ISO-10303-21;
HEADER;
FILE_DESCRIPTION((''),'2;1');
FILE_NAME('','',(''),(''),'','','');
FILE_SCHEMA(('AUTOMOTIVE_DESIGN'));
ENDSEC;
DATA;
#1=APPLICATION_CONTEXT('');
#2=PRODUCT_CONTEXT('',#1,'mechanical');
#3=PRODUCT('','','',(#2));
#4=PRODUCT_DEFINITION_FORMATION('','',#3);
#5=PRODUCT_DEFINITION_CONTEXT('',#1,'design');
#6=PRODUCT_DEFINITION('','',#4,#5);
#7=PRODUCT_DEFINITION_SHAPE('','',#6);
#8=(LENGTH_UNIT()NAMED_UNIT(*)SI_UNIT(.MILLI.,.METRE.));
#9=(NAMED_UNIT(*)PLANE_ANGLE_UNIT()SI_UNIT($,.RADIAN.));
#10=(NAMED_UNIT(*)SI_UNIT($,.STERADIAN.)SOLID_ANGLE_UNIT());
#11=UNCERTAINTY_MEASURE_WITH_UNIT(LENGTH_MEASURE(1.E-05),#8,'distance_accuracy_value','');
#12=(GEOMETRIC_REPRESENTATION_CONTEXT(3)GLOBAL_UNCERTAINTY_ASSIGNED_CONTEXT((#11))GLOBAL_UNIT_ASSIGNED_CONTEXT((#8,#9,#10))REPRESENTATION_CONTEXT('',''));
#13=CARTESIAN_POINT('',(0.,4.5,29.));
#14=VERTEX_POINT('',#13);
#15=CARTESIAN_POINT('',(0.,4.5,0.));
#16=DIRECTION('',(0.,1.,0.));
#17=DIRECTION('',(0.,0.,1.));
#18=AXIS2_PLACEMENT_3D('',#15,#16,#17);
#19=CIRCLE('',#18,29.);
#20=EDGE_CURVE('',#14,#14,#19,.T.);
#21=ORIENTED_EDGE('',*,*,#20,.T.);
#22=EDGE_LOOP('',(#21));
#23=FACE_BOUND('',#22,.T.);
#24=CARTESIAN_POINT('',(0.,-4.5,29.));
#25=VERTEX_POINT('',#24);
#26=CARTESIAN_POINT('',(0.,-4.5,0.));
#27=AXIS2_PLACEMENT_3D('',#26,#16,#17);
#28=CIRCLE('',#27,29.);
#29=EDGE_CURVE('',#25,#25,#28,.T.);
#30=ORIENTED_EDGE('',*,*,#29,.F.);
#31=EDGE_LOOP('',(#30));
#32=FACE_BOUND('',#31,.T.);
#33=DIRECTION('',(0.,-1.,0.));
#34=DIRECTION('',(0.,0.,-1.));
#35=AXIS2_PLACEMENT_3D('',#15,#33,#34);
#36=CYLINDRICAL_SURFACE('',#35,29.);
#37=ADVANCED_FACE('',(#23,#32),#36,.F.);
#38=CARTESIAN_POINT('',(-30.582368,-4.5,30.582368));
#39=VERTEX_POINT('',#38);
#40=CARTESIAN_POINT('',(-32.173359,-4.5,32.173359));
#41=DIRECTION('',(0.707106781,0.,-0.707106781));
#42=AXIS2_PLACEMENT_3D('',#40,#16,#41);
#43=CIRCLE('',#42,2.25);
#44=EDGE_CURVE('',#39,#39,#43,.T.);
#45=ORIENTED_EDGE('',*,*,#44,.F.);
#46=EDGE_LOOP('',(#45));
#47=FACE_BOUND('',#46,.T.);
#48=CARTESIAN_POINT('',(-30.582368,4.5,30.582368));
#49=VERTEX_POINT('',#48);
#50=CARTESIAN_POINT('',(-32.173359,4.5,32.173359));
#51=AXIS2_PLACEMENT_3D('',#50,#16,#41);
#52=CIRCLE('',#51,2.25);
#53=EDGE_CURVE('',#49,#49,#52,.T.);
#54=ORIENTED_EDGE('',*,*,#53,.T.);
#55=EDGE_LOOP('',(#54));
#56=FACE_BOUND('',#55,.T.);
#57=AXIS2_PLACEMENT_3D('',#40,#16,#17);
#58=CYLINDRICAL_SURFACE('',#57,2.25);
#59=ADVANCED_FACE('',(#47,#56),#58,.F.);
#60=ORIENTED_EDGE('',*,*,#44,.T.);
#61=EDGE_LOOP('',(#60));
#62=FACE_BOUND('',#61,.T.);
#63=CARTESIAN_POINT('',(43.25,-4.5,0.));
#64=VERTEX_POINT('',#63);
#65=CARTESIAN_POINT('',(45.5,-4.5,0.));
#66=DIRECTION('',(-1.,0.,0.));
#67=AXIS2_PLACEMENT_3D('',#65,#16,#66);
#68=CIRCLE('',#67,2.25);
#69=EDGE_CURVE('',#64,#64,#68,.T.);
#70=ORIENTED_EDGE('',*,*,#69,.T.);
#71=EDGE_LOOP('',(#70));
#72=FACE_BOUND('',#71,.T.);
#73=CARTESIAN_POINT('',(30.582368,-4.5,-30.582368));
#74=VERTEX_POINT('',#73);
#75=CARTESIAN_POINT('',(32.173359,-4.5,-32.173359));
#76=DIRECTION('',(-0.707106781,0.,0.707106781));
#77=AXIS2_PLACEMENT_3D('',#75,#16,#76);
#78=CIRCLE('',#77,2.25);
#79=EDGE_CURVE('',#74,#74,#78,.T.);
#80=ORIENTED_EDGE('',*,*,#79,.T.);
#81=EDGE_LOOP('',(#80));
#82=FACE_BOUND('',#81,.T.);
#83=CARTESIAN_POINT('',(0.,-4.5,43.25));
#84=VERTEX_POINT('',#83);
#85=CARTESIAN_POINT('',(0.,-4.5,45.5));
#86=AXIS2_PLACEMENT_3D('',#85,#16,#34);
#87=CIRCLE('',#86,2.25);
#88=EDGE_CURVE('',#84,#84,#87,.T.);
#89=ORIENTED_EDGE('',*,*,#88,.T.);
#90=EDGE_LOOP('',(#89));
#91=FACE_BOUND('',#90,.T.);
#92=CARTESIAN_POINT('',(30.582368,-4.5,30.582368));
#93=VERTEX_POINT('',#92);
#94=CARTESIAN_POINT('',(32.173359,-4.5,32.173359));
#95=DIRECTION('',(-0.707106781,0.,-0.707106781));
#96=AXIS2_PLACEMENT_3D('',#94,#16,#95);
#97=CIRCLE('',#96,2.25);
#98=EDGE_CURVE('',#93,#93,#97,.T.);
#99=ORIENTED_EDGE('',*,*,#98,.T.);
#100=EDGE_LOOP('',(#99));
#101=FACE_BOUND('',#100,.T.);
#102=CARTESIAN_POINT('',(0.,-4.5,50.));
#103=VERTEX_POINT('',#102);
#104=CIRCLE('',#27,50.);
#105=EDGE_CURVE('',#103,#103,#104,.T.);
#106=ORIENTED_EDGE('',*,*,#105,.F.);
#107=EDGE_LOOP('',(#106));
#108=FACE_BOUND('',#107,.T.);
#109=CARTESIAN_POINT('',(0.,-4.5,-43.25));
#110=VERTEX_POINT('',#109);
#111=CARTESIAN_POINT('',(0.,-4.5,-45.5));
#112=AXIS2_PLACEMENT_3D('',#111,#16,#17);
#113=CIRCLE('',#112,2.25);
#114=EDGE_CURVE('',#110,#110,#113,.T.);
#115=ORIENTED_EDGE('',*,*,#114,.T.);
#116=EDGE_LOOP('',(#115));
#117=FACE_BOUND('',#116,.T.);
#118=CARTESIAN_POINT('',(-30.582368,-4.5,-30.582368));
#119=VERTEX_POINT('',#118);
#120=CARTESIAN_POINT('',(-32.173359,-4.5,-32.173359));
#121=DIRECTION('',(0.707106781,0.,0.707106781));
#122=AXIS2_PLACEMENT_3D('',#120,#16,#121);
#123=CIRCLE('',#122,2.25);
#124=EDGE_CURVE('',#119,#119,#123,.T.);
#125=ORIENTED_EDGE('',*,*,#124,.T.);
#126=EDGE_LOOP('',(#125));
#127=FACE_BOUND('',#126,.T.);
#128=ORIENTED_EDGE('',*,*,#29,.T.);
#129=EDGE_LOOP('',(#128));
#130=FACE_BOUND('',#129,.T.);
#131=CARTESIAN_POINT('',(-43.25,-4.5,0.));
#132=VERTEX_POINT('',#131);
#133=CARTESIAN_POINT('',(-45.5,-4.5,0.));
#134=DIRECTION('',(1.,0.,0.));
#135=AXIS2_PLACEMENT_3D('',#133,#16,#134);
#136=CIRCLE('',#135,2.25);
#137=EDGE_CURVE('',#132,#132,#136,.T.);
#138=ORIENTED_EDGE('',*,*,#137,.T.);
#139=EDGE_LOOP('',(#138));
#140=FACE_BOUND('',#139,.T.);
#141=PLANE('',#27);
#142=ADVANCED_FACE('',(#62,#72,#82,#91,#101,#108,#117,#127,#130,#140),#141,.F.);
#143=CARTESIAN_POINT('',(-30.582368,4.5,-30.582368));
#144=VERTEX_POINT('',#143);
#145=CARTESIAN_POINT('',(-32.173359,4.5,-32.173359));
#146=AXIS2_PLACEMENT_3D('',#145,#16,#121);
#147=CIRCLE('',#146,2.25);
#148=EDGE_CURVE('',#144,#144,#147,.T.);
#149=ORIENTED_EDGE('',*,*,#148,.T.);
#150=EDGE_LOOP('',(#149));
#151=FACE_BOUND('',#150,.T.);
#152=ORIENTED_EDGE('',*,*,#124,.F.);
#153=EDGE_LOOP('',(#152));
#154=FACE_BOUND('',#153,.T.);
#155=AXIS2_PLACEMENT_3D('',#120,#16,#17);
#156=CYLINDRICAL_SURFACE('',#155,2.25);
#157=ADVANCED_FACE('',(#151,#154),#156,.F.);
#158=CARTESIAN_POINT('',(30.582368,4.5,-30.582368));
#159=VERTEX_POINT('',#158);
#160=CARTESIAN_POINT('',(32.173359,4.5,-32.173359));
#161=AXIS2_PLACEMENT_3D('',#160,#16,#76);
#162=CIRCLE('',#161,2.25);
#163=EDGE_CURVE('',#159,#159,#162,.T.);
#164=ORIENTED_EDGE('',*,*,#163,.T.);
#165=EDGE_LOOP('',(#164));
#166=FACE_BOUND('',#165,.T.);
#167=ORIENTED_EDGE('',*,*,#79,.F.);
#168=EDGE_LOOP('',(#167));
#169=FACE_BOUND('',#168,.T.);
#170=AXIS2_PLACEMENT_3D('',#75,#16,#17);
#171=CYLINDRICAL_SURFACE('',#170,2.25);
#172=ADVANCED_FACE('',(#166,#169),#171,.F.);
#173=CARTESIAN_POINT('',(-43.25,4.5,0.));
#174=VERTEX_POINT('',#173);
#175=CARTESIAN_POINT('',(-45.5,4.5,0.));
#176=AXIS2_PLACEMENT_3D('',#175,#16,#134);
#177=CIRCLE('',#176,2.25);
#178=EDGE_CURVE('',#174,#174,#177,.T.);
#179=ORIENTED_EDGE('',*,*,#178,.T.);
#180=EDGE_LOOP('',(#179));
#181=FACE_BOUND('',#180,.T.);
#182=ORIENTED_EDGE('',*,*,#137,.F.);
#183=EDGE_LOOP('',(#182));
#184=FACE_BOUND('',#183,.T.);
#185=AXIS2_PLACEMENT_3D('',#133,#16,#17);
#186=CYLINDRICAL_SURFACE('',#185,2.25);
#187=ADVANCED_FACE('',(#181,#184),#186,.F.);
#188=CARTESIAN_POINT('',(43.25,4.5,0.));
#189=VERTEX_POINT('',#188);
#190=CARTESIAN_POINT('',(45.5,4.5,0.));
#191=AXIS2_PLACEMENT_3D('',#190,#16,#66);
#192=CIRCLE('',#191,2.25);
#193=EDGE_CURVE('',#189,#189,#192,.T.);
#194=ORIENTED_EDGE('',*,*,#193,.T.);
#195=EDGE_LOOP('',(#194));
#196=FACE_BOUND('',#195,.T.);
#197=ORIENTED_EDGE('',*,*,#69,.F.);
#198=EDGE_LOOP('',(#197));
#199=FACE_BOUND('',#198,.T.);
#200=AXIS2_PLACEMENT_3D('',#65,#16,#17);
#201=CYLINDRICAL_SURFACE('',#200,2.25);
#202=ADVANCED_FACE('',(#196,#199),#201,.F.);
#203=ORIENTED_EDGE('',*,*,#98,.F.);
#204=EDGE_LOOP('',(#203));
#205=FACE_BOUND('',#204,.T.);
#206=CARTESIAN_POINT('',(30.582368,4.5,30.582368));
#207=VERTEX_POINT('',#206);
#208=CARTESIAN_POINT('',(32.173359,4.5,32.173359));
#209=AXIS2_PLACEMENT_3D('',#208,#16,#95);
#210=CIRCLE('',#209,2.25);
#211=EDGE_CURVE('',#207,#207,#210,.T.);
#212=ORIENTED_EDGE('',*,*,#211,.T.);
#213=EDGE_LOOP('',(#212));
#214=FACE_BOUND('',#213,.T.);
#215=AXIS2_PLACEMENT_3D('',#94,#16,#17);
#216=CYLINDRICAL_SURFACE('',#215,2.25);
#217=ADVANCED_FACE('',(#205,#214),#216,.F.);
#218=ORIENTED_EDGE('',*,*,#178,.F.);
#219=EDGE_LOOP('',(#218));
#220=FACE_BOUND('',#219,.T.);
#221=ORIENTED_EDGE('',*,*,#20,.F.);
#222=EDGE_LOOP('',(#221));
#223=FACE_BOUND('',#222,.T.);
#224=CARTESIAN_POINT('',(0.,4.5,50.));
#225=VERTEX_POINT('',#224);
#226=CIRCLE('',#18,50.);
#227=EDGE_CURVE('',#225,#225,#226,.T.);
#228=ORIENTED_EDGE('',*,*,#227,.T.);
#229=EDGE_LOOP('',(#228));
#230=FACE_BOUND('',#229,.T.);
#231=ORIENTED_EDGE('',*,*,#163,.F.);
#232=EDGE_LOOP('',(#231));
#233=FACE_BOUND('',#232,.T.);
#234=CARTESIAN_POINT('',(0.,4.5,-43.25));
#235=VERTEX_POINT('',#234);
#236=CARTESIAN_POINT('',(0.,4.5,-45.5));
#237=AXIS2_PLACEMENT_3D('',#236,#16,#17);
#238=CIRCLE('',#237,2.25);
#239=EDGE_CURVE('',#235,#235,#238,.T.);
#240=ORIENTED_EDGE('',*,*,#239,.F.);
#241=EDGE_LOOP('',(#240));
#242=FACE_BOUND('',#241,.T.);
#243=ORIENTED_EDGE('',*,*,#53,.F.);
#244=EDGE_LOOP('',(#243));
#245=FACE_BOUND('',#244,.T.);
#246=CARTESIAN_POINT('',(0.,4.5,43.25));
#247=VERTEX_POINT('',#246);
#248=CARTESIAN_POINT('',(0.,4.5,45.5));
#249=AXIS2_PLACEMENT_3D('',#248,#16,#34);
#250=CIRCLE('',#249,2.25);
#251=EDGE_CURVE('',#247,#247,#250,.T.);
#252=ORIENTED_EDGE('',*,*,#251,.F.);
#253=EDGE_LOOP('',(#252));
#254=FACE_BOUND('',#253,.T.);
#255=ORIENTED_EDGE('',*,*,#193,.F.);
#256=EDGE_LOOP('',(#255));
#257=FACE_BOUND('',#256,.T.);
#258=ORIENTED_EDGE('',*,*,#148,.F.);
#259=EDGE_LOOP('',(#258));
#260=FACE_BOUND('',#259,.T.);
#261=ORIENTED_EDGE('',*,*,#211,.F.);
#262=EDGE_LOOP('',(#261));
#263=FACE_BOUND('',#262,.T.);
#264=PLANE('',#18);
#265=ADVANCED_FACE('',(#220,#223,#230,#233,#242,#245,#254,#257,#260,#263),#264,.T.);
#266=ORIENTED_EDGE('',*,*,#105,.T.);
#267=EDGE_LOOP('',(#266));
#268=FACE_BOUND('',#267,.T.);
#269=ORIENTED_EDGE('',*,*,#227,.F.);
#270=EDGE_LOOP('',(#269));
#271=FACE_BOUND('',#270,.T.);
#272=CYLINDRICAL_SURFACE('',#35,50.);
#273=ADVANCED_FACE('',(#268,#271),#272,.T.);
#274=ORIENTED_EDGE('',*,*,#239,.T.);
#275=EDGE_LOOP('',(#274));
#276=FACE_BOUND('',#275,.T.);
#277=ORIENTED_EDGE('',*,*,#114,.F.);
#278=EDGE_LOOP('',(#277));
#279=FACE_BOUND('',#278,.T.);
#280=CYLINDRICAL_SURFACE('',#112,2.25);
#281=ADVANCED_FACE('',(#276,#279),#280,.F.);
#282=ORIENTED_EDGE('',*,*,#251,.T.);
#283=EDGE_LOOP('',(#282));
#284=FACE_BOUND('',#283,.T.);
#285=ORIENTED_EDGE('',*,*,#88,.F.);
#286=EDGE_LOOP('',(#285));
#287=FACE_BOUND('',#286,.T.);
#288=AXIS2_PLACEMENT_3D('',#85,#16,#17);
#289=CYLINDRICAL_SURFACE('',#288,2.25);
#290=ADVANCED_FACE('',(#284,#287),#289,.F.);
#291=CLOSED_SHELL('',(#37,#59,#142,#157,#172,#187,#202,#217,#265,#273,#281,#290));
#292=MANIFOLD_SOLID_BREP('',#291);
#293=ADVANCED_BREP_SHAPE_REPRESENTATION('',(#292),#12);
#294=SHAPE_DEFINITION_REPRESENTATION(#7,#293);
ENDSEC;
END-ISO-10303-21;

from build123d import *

# Parameters (mm, degrees)
SKETCH1_R           = 50
SKETCH1_R_2         = 29
BOSS_EXTRUDE1_DEPTH = 4.5
SKETCH2_R           = 2.25
CUT_EXTRUDE1_DEPTH  = 10
CIRPATTERN1_COUNT   = 8


with BuildPart() as part:
    # Sketch1 → Boss-Extrude1 (new body, symmetric)
    with BuildSketch(Plane(origin=(0, 0, 0), x_dir=(1, 0, 0), z_dir=(0, 1, 0))):
        Circle(SKETCH1_R)
        Circle(SKETCH1_R_2, mode=Mode.SUBTRACT)
    extrude(amount=BOSS_EXTRUDE1_DEPTH, both=True)

    # Sketch2 → Cut-Extrude1 (cut, through all)
    with BuildSketch(Plane(origin=(0, 4.5, 0), x_dir=(1, 0, 0), z_dir=(0, 1, 0))):
        with Locations((0, 45.5)):
            Circle(SKETCH2_R)
    cut_extrude1 = extrude(amount=-CUT_EXTRUDE1_DEPTH, mode=Mode.SUBTRACT)

    # CirPattern1: Cut-Extrude1 ×8 about axis
    cirpattern1_axis = Axis((0, 0, 0), (0, 1, 0))
    for i in range(1, CIRPATTERN1_COUNT):
        add(cut_extrude1.rotate(cirpattern1_axis, i * 360 / CIRPATTERN1_COUNT), mode=Mode.SUBTRACT)


solid = part.part
